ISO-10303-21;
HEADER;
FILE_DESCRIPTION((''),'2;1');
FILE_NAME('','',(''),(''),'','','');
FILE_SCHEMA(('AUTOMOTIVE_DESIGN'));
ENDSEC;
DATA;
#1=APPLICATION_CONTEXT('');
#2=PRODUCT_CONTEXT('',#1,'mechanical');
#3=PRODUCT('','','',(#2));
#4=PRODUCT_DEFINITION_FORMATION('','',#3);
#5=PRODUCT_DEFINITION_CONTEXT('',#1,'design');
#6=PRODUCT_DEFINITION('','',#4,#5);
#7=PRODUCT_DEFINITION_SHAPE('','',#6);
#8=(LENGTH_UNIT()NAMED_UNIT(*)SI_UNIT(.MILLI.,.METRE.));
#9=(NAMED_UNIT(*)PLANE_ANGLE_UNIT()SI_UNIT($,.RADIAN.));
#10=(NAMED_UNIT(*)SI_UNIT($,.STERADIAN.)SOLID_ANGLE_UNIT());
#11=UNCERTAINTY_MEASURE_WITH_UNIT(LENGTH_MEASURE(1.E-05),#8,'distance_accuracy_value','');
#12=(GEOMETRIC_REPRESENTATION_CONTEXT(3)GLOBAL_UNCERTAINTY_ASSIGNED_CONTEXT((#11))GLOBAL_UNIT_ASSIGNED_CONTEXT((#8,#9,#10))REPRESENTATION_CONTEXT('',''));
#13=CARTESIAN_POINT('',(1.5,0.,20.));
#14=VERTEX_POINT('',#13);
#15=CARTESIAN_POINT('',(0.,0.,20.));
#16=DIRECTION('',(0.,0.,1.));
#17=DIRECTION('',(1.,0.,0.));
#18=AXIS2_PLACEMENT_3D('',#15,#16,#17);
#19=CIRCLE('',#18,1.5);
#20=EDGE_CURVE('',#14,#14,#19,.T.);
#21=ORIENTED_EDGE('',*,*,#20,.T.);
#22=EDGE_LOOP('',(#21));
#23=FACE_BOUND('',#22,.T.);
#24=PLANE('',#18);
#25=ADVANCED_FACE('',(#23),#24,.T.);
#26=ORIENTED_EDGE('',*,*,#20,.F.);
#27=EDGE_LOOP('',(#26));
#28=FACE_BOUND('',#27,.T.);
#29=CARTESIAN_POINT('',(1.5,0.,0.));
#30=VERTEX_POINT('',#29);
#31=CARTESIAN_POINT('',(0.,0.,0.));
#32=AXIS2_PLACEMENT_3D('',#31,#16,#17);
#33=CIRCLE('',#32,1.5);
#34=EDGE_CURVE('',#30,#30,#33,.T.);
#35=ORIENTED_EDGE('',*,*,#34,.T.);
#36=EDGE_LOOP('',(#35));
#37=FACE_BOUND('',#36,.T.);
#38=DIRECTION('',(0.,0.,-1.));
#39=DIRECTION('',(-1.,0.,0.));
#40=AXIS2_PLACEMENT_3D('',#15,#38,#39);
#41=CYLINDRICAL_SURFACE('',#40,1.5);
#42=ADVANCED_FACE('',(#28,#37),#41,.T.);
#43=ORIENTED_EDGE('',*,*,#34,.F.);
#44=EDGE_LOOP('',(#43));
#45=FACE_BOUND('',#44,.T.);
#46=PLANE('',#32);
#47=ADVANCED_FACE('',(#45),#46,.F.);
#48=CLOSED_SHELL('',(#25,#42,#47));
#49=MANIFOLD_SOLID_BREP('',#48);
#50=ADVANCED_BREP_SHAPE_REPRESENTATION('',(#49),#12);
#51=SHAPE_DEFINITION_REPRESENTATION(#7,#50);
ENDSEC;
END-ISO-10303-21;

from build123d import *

# Parameters (mm, degrees)
SKETCH_1_R      = 1.5
EXTRUDE_1_DEPTH = 20


with BuildPart() as part:
    # 草图1 → 凸台-拉伸1 (new body)
    with BuildSketch(Plane.XY):
        Circle(SKETCH_1_R)
    extrude(amount=EXTRUDE_1_DEPTH)


solid = part.part
